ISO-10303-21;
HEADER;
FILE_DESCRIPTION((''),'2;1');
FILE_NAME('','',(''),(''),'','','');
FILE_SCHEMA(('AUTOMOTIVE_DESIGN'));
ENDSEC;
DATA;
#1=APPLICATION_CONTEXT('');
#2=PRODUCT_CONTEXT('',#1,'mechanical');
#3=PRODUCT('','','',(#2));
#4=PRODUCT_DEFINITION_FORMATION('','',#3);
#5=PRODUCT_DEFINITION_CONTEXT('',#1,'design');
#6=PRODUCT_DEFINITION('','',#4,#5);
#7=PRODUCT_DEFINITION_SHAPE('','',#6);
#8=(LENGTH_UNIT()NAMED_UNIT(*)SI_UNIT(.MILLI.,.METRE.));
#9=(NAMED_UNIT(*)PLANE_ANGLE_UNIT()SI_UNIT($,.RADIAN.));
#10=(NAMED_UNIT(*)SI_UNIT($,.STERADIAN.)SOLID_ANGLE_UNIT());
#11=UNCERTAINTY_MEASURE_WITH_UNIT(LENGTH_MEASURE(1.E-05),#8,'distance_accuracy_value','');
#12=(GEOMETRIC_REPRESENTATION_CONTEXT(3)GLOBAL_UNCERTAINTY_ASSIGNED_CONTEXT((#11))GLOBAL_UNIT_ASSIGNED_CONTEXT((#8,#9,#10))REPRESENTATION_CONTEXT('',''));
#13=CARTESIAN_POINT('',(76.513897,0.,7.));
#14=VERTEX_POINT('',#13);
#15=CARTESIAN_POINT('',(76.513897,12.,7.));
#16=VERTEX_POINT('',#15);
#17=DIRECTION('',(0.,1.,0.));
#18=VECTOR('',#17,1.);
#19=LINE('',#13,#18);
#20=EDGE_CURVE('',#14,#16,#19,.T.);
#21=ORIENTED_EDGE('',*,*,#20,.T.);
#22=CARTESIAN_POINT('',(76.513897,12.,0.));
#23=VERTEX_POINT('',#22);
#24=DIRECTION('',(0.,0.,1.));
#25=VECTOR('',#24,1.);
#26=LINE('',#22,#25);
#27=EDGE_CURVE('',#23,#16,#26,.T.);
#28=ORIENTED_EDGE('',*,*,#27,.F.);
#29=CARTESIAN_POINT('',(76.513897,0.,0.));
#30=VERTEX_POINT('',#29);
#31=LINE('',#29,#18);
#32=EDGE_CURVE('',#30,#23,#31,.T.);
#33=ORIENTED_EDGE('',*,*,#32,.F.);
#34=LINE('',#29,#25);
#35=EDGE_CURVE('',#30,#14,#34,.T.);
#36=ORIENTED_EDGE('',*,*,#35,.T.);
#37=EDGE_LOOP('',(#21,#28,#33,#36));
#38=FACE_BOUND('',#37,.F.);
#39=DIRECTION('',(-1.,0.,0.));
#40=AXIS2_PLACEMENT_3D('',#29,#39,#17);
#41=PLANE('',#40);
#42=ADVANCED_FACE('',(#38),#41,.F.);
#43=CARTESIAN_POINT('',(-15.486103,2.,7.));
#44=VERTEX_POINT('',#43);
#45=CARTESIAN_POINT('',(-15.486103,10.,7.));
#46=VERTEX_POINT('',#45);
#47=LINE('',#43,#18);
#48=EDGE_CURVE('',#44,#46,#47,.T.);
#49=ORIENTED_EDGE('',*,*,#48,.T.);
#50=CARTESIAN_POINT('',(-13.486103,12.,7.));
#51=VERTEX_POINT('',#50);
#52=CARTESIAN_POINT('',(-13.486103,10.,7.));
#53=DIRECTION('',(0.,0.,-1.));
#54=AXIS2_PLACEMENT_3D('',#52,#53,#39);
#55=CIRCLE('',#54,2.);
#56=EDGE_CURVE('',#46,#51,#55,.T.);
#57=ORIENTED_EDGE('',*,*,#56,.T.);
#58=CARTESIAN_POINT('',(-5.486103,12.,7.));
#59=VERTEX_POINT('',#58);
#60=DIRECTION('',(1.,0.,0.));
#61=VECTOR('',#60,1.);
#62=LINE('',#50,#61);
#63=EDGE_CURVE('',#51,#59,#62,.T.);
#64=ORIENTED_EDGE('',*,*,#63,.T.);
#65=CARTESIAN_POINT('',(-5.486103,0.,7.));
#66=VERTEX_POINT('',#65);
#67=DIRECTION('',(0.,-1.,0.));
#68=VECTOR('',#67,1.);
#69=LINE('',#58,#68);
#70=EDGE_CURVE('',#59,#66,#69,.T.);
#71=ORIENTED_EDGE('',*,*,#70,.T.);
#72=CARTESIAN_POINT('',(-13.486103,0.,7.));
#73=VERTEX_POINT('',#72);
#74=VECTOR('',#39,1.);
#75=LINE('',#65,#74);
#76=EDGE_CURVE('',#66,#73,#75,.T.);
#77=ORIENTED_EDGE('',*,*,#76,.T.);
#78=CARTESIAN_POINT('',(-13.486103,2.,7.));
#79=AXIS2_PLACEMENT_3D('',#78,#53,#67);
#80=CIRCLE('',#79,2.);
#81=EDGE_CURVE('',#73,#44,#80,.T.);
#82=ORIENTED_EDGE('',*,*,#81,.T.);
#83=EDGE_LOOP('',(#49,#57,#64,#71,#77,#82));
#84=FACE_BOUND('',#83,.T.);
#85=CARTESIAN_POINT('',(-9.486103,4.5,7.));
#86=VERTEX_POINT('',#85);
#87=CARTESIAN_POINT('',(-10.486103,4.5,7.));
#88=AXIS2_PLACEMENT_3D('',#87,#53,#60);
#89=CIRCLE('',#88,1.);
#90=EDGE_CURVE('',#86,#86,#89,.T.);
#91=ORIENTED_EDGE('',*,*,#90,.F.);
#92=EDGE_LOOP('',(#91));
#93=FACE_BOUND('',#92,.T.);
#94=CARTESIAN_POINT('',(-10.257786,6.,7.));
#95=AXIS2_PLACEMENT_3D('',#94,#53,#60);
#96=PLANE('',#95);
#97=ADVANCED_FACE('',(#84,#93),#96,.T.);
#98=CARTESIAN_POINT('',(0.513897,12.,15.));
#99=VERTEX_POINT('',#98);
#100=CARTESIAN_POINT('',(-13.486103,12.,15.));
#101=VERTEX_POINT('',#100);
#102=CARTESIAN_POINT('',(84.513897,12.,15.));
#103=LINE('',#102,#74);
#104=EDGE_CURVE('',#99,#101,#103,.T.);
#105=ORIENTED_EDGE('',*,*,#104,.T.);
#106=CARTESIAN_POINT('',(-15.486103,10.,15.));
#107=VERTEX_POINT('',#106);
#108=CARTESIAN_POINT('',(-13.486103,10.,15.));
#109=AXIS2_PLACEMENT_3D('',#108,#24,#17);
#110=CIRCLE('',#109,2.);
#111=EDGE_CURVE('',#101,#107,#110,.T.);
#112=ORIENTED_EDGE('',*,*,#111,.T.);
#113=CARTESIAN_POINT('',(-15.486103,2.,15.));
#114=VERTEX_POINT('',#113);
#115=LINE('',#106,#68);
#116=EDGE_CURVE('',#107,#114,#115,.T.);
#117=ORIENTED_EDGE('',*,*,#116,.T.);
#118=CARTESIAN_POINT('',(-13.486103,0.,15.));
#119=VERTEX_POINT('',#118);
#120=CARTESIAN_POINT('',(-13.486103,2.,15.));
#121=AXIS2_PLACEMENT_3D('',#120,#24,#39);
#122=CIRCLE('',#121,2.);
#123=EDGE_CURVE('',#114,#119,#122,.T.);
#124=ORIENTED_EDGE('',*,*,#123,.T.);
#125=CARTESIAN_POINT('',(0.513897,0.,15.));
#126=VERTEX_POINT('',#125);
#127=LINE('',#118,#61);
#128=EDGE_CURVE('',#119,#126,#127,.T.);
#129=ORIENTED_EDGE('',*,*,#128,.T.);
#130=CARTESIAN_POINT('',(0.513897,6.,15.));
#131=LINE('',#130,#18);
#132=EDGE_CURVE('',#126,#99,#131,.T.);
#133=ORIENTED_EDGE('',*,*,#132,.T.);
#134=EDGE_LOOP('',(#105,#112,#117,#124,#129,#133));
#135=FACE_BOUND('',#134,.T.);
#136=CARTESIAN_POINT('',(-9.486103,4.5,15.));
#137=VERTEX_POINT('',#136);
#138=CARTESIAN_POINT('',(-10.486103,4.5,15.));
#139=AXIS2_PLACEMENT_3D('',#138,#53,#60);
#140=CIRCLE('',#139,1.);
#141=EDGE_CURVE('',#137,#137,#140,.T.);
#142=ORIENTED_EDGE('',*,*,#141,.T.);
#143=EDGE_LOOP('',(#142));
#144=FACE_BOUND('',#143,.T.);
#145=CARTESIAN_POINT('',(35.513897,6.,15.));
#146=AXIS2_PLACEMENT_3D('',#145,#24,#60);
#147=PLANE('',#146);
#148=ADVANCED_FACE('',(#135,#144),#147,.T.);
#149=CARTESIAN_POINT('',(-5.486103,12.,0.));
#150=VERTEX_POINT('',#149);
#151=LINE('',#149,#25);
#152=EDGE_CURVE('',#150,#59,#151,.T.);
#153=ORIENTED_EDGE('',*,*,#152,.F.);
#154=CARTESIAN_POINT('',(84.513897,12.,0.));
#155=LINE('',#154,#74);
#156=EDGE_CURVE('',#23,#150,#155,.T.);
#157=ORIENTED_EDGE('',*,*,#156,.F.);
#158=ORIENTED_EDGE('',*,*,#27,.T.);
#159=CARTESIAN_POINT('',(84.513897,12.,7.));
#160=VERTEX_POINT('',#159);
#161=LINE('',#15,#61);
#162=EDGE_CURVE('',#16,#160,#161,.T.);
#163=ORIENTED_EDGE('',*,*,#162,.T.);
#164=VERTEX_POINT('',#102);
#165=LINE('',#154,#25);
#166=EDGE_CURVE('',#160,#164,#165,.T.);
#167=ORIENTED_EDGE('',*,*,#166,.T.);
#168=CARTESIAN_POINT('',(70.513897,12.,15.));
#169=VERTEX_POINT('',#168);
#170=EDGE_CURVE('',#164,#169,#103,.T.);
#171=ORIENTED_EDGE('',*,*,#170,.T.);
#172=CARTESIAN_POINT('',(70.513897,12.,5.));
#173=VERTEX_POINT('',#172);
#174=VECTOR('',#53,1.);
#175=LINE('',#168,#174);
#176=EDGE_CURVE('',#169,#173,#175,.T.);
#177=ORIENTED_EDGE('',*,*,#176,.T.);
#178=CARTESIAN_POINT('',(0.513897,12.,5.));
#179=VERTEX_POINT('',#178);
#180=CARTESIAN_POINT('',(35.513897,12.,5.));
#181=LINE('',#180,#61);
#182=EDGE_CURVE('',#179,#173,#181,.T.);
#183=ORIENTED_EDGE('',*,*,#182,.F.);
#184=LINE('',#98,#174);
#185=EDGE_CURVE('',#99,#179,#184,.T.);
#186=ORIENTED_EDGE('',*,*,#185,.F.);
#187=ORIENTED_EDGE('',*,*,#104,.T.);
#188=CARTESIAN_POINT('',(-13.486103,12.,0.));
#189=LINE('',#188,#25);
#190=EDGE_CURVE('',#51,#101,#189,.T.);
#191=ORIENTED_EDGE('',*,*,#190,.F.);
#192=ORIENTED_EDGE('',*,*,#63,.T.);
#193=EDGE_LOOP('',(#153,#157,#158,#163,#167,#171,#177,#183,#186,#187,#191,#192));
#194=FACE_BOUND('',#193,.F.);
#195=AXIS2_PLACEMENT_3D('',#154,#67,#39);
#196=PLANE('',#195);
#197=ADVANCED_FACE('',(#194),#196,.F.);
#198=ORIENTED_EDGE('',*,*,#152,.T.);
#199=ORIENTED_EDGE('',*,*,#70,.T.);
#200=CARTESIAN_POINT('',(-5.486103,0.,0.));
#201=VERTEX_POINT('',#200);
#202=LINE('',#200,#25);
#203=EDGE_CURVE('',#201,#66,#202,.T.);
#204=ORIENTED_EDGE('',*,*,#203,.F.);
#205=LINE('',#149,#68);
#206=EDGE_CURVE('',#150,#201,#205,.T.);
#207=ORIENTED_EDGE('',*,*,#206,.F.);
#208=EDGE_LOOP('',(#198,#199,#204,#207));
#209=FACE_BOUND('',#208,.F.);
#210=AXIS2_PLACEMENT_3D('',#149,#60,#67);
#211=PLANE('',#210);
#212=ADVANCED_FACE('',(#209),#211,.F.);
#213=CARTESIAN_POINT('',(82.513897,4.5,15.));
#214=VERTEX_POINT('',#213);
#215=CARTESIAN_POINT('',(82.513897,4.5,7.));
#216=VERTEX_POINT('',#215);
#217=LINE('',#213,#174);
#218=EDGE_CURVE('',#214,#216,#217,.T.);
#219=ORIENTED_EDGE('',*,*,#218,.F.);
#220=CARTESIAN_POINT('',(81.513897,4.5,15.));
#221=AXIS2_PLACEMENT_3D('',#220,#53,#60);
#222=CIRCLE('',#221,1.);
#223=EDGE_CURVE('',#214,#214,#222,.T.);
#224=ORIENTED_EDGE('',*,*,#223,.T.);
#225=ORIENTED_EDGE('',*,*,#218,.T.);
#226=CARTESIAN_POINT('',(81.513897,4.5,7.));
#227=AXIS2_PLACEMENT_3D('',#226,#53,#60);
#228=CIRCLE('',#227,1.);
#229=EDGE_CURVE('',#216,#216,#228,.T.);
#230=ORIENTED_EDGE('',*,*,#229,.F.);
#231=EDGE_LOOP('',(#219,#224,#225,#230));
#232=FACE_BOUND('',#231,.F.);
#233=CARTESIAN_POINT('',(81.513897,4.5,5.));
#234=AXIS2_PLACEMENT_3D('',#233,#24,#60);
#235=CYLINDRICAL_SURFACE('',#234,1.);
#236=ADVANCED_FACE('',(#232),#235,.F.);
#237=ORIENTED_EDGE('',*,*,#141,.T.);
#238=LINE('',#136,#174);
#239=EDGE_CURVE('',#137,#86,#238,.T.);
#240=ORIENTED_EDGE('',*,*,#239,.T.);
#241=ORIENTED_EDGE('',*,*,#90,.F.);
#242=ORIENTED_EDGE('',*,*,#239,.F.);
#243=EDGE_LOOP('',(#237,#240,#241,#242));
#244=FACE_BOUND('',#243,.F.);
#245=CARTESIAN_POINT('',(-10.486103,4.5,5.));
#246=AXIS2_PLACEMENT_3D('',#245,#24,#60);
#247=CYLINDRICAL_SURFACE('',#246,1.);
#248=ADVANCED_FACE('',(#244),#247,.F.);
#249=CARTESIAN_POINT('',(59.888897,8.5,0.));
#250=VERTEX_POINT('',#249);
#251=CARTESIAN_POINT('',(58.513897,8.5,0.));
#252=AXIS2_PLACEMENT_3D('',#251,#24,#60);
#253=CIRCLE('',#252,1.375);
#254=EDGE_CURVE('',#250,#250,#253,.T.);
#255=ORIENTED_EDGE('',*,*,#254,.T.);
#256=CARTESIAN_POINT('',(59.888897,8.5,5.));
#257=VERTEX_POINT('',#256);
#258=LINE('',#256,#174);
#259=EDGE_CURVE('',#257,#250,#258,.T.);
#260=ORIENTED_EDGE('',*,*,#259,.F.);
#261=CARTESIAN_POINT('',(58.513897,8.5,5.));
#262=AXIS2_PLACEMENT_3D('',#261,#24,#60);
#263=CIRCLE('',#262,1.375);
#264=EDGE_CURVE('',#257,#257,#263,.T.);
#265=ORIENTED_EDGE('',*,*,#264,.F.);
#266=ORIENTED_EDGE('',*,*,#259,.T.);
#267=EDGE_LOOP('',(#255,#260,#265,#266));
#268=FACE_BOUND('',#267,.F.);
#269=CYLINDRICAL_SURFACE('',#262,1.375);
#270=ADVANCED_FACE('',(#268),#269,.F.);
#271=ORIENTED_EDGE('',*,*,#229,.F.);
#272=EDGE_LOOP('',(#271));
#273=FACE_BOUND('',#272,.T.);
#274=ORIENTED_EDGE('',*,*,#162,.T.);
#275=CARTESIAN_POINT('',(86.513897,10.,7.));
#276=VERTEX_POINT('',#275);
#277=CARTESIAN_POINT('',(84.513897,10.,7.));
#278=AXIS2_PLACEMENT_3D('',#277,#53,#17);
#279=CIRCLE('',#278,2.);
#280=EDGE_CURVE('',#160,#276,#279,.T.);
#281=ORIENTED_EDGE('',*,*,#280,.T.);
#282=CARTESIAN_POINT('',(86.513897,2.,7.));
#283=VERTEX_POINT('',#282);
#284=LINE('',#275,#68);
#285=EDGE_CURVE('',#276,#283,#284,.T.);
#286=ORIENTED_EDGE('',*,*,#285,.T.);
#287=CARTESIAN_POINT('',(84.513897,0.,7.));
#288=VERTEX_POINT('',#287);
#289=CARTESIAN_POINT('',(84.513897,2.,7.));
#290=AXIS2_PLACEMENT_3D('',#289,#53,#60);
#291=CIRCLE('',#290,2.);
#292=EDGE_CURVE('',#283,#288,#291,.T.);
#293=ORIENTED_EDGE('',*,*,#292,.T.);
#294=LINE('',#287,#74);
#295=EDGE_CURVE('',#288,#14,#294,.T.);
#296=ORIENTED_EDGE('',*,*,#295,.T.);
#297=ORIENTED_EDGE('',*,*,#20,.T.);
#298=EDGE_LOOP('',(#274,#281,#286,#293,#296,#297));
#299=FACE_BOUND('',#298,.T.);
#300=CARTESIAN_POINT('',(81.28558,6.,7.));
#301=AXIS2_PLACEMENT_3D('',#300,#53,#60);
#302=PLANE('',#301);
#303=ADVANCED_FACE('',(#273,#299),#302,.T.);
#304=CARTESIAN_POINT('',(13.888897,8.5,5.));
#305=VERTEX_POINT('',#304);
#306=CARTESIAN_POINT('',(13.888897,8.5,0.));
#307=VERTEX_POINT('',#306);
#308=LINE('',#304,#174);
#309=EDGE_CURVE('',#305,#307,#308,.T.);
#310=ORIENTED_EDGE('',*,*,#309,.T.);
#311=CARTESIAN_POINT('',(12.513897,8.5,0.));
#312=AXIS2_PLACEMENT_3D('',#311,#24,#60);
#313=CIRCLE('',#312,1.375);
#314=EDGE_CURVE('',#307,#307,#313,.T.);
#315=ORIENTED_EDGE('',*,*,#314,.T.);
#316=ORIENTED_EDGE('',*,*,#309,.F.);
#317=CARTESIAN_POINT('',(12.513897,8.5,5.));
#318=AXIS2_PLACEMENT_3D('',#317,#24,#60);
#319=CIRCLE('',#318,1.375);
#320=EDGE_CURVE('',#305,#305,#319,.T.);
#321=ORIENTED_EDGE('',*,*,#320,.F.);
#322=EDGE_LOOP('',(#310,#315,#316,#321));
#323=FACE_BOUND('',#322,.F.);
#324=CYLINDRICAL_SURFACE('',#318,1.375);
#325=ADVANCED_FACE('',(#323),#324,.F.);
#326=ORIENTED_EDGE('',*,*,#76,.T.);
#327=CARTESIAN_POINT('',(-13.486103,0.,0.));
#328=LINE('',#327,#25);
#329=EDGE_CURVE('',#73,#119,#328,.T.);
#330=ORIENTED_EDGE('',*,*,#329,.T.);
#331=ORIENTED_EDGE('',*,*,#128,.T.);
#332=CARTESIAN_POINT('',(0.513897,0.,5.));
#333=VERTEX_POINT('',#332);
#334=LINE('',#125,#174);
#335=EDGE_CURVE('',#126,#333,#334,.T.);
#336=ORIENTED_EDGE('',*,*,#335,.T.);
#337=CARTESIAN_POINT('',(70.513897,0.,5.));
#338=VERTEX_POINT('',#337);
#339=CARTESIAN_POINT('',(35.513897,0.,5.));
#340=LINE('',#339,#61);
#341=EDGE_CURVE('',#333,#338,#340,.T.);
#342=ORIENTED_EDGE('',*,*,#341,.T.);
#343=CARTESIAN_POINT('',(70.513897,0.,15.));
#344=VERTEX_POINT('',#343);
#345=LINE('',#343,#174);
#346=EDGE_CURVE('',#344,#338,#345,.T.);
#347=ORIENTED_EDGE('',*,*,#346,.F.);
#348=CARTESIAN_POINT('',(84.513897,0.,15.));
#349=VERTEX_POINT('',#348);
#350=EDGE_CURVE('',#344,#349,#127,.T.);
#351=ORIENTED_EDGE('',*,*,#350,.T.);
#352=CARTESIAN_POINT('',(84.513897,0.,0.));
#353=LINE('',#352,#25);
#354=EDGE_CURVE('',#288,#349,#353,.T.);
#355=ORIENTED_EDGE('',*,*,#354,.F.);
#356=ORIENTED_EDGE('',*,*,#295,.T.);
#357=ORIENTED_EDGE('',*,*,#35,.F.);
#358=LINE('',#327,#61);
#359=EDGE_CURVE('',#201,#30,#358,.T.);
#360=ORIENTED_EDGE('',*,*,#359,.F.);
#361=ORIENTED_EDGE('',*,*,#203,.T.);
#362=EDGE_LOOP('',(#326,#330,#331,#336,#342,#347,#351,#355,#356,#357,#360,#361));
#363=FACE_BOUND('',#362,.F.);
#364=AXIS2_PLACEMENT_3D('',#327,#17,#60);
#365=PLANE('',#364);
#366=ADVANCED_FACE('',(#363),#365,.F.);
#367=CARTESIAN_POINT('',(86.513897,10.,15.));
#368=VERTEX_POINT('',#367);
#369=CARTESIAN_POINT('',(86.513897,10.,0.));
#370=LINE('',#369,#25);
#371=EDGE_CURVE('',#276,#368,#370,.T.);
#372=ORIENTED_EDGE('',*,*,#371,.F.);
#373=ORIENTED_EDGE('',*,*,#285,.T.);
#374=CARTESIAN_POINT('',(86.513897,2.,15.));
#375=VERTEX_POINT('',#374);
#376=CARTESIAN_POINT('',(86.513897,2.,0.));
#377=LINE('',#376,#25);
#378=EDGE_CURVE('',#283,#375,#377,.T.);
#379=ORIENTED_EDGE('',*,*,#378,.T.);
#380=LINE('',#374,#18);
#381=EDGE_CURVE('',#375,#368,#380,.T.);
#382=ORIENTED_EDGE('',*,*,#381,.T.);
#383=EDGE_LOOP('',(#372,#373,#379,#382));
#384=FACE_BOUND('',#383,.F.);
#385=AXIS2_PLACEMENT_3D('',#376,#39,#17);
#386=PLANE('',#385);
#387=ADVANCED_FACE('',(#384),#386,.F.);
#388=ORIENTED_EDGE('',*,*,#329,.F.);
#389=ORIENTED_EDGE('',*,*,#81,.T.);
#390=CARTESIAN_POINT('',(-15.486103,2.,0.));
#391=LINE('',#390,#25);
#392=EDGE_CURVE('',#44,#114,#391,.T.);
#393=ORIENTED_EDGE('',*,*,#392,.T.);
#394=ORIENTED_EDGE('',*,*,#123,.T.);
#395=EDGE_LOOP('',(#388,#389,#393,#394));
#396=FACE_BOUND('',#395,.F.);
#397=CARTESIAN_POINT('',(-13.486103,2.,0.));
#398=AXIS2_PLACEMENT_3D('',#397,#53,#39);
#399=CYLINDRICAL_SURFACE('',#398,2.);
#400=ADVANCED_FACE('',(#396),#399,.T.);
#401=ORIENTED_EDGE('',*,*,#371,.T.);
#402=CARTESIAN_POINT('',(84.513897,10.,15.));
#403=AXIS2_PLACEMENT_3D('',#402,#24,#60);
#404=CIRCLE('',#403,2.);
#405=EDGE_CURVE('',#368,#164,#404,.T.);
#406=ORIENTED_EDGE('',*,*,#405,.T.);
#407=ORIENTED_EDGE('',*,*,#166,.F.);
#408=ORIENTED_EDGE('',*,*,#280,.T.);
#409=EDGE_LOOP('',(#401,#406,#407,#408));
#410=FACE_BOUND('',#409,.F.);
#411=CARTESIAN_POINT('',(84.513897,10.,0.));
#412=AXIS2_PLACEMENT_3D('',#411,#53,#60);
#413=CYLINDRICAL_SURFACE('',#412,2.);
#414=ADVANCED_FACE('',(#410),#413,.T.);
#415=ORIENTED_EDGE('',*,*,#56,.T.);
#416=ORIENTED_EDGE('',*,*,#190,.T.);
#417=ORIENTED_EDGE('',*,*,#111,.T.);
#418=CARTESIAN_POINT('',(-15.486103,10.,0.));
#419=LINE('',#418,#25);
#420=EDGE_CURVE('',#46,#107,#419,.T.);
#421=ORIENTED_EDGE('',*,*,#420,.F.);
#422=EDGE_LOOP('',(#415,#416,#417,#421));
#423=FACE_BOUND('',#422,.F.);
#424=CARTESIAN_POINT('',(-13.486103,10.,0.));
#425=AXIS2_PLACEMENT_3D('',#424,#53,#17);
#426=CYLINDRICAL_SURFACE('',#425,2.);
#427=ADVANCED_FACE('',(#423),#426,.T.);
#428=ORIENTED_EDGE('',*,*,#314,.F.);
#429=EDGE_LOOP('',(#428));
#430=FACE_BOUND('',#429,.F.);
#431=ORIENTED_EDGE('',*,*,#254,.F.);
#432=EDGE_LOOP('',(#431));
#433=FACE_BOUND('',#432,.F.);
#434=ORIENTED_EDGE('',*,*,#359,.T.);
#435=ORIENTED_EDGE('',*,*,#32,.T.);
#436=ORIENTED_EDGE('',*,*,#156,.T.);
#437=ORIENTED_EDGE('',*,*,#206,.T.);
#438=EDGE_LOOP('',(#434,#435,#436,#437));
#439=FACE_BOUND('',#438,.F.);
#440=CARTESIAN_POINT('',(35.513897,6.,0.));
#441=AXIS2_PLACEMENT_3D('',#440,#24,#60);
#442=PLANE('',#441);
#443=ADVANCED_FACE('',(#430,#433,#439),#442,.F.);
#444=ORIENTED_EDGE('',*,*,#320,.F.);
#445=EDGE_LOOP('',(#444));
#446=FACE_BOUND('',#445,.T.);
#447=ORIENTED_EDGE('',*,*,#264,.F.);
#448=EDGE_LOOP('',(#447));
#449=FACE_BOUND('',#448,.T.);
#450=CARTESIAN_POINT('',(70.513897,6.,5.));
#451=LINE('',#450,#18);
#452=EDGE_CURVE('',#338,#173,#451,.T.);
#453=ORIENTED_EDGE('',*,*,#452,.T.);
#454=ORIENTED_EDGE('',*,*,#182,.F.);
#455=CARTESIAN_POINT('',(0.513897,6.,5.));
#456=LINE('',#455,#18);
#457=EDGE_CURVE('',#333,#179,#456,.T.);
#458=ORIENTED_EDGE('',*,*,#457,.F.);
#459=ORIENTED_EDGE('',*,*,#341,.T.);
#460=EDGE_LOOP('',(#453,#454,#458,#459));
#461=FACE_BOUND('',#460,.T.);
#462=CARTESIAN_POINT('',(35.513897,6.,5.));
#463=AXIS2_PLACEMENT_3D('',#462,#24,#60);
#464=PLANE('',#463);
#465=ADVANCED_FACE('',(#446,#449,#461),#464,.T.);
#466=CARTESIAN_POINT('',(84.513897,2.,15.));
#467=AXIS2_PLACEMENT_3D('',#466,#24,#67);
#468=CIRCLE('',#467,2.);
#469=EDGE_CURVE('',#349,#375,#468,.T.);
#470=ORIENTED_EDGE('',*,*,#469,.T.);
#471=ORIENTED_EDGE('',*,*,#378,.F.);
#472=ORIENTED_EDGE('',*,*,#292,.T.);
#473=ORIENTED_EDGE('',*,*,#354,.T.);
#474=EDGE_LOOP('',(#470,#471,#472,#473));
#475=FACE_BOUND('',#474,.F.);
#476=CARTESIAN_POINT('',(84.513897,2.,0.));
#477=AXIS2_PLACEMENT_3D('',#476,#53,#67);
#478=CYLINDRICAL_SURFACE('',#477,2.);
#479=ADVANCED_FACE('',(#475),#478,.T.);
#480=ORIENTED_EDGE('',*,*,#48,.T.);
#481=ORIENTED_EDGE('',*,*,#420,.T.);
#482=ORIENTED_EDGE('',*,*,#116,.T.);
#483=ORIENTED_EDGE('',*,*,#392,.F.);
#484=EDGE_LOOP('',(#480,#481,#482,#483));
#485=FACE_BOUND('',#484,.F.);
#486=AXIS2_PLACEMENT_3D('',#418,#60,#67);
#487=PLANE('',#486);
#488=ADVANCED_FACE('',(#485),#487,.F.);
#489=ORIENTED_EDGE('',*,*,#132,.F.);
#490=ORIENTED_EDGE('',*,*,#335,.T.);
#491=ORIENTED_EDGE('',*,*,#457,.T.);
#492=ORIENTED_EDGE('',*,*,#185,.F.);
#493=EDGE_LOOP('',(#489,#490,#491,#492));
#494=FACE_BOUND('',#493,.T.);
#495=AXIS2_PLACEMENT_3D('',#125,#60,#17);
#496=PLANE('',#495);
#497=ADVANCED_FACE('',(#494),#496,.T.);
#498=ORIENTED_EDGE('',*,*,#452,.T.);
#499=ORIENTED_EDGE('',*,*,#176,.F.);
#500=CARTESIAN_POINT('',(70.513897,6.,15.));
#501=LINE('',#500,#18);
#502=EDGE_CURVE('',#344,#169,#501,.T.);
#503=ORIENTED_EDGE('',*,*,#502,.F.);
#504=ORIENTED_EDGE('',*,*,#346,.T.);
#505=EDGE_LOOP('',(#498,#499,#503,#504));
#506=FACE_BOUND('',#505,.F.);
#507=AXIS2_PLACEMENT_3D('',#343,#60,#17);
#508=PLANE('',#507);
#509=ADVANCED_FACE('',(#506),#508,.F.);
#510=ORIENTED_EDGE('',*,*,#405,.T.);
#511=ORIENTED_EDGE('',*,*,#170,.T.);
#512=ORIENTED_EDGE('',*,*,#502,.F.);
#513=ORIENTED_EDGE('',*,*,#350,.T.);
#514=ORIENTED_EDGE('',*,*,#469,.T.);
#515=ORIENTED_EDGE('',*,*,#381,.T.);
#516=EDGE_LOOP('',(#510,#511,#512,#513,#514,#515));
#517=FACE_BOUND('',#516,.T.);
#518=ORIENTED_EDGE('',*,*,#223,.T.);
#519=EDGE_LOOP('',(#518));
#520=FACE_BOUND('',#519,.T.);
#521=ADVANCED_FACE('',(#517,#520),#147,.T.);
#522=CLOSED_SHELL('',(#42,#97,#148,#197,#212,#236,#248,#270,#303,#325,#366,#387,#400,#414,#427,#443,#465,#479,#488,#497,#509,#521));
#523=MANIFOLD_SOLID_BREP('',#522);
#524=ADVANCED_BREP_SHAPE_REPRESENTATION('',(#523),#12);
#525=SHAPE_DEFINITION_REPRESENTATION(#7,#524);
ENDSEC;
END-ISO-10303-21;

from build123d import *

# Parameters (mm, degrees)
F1_DEPTH      = 15
F2_W          = 70
F2_H          = 12
F3_DEPTH      = 10
F4_R          = 1.375
F4_R_2        = 1
F5_DEPTH      = 25
F5_DEPTH_BACK = 25
F6_R          = 1
F7_DEPTH      = 7


with BuildPart() as f1:
    # F0 (on Top) → F1 (new body)
    with BuildSketch(Plane.XY):
        with BuildLine():
            ThreePointArc((-15.4861029406, 2), (-14.9003165029, 0.5857864376), (-13.4861029406, 0))
            Line((-13.4861029406, 0), (84.5138970594, 0))
            ThreePointArc((84.5138970594, 0), (85.9281106218, 0.5857864376), (86.5138970594, 2))
            Line((86.5138970594, 2), (86.5138970594, 10))
            ThreePointArc((86.5138970594, 10), (85.9281106218, 11.4142135624), (84.5138970594, 12))
            Line((84.5138970594, 12), (-13.4861029406, 12))
            ThreePointArc((-13.4861029406, 12), (-14.9003165029, 11.4142135624), (-15.4861029406, 10))
            Line((-15.4861029406, 10), (-15.4861029406, 2))
        make_face()
    extrude(amount=F1_DEPTH)

    # F2 (on face) → F3 (cut)
    with BuildSketch(Plane.XY.offset(15)):
        with Locations((35.5138970594, 6)):
            Rectangle(F2_W, F2_H)
    extrude(amount=-F3_DEPTH, mode=Mode.SUBTRACT)

    # F4 (on face) → F5 (cut, two sides)
    with BuildSketch(Plane.XY.offset(5)) as f5_sk:
        with Locations((12.5138970594, 8.5)):
            Circle(F4_R)
        with Locations((58.5138970594, 8.5)):
            Circle(F4_R)
        with Locations((-10.4861029406, 4.5)):
            Circle(F4_R_2)
        with Locations((81.5138970594, 4.5)):
            Circle(F4_R_2)
    extrude(amount=-F5_DEPTH, mode=Mode.SUBTRACT)
    extrude(f5_sk.sketch, amount=F5_DEPTH_BACK, mode=Mode.SUBTRACT)

    # F6 (on face) → F7 (cut)
    with BuildSketch(Plane(origin=(0, 0, 0), x_dir=(1, 0, 0), z_dir=(0, 0, -1))):
        with BuildLine():
            Line((76.5138970594, 0), (76.5138970594, -12))
            Line((76.5138970594, -12), (84.5138970594, -12))
            ThreePointArc((84.5138970594, -12), (85.9281106218, -11.4142135624), (86.5138970594, -10))
            Line((86.5138970594, -10), (86.5138970594, -2))
            ThreePointArc((86.5138970594, -2), (85.9281106218, -0.5857864376), (84.5138970594, 0))
            Line((84.5138970594, 0), (76.5138970594, 0))
        make_face()
        with Locations((81.5138970594, -4.5)):
            Circle(F6_R, mode=Mode.SUBTRACT)
        with BuildLine():
            Line((-13.4861029406, -12), (-5.4861029406, -12))
            Line((-5.4861029406, -12), (-5.4861029406, 0))
            Line((-5.4861029406, 0), (-13.4861029406, 0))
            ThreePointArc((-13.4861029406, 0), (-14.9003165029, -0.5857864376), (-15.4861029406, -2))
            Line((-15.4861029406, -2), (-15.4861029406, -10))
            ThreePointArc((-15.4861029406, -10), (-14.9003165029, -11.4142135624), (-13.4861029406, -12))
        make_face()
        with Locations((-10.4861029406, -4.5)):
            Circle(F6_R, mode=Mode.SUBTRACT)
    extrude(amount=-F7_DEPTH, mode=Mode.SUBTRACT)


solid = f1.part
